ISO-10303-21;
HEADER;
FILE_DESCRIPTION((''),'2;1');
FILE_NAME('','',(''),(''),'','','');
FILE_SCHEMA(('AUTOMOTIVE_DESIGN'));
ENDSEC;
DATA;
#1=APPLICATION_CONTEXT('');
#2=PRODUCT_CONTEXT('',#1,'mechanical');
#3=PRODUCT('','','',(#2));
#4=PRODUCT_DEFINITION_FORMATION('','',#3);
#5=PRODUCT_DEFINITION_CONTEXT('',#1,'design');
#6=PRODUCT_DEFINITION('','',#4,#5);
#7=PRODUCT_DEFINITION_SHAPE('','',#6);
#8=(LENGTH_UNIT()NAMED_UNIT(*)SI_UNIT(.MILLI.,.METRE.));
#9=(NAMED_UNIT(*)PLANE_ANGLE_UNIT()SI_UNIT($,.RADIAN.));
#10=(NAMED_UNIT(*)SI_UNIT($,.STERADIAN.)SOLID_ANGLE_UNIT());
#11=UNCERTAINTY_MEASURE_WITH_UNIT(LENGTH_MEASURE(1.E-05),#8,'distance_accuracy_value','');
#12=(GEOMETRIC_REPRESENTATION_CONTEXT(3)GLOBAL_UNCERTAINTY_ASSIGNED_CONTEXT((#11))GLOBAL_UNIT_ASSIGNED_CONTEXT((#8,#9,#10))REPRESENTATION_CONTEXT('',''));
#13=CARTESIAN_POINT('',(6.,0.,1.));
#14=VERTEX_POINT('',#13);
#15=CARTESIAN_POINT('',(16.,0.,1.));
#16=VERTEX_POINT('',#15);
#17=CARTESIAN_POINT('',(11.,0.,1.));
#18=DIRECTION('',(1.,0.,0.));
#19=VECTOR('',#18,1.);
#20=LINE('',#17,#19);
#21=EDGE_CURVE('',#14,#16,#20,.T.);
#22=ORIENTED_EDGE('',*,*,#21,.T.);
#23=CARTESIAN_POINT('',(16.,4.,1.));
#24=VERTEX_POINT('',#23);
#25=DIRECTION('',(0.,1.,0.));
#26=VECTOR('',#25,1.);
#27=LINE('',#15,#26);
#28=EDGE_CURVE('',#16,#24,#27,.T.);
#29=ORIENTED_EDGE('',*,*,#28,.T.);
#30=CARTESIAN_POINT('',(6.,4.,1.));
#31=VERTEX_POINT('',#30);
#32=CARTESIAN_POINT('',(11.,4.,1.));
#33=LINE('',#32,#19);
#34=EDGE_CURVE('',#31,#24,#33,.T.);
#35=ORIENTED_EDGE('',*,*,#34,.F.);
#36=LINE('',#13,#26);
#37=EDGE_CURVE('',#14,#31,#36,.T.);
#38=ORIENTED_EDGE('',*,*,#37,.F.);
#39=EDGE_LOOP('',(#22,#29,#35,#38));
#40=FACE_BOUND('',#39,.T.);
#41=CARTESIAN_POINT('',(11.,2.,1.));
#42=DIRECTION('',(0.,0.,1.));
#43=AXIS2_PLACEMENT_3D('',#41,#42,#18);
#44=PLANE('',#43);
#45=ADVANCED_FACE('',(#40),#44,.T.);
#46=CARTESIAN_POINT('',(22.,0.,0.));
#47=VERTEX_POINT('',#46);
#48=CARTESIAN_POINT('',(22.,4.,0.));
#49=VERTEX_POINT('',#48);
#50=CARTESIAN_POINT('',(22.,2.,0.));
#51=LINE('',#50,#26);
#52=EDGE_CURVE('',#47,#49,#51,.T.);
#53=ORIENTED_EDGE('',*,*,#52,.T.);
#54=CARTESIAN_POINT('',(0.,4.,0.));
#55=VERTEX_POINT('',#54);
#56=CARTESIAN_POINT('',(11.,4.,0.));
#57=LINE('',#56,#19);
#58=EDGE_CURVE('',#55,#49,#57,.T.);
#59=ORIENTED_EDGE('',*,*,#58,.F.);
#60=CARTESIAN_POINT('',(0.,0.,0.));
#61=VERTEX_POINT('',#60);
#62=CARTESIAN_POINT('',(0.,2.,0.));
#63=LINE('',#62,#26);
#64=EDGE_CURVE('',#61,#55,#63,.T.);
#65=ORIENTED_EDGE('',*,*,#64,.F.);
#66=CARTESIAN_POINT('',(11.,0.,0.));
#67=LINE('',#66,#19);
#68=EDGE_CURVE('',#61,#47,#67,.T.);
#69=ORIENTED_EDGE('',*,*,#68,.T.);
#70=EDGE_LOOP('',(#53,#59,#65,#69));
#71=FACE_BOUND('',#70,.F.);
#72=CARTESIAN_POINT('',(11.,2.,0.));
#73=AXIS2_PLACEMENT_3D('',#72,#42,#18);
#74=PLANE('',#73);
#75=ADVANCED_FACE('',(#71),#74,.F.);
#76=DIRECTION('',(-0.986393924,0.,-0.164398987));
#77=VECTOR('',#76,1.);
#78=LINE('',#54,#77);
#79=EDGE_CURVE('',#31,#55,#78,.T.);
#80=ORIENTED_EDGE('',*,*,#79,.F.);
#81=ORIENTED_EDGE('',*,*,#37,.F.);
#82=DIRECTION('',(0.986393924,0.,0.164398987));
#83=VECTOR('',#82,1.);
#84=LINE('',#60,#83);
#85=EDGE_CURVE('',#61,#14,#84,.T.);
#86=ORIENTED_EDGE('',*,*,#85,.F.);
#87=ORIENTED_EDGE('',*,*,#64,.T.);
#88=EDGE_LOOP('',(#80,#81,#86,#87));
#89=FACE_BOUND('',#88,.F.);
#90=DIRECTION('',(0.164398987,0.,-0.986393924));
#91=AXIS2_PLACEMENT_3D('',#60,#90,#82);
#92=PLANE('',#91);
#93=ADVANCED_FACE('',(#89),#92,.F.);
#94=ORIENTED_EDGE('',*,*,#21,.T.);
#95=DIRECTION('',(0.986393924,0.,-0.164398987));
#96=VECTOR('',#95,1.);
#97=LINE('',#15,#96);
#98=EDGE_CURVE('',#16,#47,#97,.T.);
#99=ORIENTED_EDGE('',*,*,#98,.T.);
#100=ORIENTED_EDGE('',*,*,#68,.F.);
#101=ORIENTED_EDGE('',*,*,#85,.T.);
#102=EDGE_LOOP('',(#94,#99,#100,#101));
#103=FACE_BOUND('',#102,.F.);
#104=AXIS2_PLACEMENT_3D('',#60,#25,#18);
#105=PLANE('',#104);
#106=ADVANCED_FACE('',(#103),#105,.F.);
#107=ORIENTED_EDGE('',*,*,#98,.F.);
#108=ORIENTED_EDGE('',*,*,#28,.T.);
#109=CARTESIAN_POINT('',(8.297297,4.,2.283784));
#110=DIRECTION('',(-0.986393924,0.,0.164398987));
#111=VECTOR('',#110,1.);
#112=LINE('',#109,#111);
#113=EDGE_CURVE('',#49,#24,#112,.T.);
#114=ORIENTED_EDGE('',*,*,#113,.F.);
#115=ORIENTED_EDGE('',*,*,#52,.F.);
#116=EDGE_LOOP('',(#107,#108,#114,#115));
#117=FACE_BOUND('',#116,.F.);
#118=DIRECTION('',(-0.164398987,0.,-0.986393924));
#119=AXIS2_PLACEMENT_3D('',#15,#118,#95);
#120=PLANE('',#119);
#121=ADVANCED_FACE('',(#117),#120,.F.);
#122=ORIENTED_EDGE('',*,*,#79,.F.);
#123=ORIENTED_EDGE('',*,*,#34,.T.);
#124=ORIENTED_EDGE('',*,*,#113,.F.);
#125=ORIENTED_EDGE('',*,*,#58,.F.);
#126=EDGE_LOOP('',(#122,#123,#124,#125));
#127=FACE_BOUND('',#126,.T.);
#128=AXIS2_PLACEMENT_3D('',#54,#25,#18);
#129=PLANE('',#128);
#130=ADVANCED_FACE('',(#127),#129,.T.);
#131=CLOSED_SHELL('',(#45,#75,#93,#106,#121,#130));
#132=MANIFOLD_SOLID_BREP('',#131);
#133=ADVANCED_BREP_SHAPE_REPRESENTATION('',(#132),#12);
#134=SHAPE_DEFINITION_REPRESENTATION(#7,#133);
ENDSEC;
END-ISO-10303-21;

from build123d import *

# Parameters (mm, degrees)
F0_W     = 22
F0_H     = 4
F1_DEPTH = 1
F3_DEPTH = 25


with BuildPart() as f1:
    # F0 (on Top) → F1 (new body)
    with BuildSketch(Plane.XY):
        with Locations((11, 2)):
            Rectangle(F0_W, F0_H)
    extrude(amount=F1_DEPTH)

    # F2 (on face) → F3 (cut)
    with BuildSketch(Plane.XZ):
        Polygon((0, 1), (0, 0), (6, 1), align=None)
        Polygon((16, 1), (22, 0), (22, 1), align=None)
    extrude(amount=-F3_DEPTH, mode=Mode.SUBTRACT)


solid = f1.part
